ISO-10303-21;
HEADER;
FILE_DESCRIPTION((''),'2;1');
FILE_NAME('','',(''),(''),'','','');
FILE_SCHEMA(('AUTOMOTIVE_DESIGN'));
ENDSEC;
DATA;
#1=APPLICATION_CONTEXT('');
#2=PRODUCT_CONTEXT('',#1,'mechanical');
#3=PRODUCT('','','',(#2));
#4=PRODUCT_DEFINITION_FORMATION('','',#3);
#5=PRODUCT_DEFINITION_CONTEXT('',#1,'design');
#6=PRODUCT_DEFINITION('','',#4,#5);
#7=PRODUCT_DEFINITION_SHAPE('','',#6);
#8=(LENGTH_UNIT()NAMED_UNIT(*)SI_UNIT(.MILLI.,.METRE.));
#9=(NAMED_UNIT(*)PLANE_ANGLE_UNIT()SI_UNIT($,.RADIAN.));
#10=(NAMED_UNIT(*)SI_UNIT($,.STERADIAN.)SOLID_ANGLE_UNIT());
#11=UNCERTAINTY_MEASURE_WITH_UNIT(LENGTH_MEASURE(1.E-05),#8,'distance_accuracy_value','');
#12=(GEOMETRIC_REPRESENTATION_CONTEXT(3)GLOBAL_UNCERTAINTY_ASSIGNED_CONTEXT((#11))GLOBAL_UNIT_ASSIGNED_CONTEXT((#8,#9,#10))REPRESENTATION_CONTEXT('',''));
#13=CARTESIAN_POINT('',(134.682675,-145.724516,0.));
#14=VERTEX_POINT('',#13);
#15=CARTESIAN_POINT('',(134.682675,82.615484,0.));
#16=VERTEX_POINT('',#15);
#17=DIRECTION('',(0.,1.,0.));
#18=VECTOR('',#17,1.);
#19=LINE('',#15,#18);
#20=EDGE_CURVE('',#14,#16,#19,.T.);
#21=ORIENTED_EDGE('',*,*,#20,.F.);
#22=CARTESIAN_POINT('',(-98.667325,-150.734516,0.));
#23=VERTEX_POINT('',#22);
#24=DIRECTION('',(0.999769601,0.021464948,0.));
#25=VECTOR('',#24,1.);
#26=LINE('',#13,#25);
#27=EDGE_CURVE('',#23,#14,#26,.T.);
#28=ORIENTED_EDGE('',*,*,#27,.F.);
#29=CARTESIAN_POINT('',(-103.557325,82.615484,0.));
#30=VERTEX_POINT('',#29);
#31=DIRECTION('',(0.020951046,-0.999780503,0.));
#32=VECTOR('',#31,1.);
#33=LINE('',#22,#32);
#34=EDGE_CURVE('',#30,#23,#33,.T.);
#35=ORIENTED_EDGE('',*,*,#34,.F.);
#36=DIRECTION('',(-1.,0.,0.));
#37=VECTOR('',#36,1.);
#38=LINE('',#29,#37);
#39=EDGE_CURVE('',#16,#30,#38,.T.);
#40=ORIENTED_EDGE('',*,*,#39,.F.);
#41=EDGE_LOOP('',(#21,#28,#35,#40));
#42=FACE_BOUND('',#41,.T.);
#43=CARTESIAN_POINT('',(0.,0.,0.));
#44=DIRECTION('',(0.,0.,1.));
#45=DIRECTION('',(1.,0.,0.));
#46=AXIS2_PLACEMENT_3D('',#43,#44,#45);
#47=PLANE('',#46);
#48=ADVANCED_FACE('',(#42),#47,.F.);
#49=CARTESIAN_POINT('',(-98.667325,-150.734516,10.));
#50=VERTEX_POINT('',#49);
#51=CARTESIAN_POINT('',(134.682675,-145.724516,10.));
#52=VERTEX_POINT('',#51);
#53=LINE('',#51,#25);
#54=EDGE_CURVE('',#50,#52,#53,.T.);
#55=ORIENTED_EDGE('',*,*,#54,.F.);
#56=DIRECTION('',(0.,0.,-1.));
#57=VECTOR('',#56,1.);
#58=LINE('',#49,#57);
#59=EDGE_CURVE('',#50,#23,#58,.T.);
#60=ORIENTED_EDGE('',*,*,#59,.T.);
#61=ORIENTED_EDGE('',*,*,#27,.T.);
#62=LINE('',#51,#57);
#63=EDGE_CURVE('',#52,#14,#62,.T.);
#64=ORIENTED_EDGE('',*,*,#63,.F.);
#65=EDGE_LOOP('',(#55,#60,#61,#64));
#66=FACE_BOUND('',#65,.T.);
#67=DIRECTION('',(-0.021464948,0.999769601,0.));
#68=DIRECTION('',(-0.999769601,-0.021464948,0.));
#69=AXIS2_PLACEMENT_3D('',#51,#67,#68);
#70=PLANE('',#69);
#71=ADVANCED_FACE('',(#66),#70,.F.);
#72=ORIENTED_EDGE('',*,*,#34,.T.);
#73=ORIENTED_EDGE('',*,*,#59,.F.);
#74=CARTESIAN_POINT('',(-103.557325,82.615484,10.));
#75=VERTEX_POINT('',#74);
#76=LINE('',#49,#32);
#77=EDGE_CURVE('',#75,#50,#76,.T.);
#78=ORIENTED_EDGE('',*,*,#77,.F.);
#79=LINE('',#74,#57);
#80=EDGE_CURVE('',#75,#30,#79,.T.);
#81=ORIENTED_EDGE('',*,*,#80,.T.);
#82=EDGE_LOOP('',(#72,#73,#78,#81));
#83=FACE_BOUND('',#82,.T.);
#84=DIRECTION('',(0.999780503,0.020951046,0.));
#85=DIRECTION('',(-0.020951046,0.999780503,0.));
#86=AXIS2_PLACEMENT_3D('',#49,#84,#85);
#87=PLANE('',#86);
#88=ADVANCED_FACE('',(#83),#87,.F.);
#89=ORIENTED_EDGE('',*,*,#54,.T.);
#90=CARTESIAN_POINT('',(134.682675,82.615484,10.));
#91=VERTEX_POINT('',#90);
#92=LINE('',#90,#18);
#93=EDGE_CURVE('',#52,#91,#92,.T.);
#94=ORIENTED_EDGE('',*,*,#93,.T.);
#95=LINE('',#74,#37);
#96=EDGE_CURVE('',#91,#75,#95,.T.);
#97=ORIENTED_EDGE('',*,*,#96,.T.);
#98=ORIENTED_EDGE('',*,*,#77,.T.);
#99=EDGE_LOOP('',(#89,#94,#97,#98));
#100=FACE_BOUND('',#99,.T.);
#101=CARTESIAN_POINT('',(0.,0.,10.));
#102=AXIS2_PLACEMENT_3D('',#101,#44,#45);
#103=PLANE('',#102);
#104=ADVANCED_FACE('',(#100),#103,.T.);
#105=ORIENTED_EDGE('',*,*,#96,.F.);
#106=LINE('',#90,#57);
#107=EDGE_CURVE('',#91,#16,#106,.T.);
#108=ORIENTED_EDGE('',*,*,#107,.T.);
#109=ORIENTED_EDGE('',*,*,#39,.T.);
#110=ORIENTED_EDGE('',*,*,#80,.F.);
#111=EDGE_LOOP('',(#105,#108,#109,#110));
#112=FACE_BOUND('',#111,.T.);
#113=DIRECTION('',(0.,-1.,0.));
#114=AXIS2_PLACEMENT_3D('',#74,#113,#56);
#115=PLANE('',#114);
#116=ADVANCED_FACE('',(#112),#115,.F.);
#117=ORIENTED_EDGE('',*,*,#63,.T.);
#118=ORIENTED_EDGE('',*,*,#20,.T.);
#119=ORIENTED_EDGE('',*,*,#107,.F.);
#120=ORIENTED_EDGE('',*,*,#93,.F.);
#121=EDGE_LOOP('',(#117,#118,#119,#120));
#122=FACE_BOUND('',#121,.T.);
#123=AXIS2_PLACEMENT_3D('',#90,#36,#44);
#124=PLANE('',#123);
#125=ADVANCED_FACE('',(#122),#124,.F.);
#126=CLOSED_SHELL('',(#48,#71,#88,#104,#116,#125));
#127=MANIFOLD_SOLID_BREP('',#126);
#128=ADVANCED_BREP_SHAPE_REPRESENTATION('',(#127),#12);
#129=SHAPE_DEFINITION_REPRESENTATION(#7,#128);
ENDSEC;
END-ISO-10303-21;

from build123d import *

# Parameters (mm, degrees)
BOSS_EXTRU_1_DEPTH = 10


with BuildPart() as part:
    # Esquisse1 → Boss.-Extru.1 (new body)
    with BuildSketch(Plane.XY):
        Polygon((-103.557324721, 82.615483871), (134.682675279, 82.615483871), (134.682675279, -145.724516129), (-98.667324721, -150.734516129), align=None)
    extrude(amount=BOSS_EXTRU_1_DEPTH)


solid = part.part
